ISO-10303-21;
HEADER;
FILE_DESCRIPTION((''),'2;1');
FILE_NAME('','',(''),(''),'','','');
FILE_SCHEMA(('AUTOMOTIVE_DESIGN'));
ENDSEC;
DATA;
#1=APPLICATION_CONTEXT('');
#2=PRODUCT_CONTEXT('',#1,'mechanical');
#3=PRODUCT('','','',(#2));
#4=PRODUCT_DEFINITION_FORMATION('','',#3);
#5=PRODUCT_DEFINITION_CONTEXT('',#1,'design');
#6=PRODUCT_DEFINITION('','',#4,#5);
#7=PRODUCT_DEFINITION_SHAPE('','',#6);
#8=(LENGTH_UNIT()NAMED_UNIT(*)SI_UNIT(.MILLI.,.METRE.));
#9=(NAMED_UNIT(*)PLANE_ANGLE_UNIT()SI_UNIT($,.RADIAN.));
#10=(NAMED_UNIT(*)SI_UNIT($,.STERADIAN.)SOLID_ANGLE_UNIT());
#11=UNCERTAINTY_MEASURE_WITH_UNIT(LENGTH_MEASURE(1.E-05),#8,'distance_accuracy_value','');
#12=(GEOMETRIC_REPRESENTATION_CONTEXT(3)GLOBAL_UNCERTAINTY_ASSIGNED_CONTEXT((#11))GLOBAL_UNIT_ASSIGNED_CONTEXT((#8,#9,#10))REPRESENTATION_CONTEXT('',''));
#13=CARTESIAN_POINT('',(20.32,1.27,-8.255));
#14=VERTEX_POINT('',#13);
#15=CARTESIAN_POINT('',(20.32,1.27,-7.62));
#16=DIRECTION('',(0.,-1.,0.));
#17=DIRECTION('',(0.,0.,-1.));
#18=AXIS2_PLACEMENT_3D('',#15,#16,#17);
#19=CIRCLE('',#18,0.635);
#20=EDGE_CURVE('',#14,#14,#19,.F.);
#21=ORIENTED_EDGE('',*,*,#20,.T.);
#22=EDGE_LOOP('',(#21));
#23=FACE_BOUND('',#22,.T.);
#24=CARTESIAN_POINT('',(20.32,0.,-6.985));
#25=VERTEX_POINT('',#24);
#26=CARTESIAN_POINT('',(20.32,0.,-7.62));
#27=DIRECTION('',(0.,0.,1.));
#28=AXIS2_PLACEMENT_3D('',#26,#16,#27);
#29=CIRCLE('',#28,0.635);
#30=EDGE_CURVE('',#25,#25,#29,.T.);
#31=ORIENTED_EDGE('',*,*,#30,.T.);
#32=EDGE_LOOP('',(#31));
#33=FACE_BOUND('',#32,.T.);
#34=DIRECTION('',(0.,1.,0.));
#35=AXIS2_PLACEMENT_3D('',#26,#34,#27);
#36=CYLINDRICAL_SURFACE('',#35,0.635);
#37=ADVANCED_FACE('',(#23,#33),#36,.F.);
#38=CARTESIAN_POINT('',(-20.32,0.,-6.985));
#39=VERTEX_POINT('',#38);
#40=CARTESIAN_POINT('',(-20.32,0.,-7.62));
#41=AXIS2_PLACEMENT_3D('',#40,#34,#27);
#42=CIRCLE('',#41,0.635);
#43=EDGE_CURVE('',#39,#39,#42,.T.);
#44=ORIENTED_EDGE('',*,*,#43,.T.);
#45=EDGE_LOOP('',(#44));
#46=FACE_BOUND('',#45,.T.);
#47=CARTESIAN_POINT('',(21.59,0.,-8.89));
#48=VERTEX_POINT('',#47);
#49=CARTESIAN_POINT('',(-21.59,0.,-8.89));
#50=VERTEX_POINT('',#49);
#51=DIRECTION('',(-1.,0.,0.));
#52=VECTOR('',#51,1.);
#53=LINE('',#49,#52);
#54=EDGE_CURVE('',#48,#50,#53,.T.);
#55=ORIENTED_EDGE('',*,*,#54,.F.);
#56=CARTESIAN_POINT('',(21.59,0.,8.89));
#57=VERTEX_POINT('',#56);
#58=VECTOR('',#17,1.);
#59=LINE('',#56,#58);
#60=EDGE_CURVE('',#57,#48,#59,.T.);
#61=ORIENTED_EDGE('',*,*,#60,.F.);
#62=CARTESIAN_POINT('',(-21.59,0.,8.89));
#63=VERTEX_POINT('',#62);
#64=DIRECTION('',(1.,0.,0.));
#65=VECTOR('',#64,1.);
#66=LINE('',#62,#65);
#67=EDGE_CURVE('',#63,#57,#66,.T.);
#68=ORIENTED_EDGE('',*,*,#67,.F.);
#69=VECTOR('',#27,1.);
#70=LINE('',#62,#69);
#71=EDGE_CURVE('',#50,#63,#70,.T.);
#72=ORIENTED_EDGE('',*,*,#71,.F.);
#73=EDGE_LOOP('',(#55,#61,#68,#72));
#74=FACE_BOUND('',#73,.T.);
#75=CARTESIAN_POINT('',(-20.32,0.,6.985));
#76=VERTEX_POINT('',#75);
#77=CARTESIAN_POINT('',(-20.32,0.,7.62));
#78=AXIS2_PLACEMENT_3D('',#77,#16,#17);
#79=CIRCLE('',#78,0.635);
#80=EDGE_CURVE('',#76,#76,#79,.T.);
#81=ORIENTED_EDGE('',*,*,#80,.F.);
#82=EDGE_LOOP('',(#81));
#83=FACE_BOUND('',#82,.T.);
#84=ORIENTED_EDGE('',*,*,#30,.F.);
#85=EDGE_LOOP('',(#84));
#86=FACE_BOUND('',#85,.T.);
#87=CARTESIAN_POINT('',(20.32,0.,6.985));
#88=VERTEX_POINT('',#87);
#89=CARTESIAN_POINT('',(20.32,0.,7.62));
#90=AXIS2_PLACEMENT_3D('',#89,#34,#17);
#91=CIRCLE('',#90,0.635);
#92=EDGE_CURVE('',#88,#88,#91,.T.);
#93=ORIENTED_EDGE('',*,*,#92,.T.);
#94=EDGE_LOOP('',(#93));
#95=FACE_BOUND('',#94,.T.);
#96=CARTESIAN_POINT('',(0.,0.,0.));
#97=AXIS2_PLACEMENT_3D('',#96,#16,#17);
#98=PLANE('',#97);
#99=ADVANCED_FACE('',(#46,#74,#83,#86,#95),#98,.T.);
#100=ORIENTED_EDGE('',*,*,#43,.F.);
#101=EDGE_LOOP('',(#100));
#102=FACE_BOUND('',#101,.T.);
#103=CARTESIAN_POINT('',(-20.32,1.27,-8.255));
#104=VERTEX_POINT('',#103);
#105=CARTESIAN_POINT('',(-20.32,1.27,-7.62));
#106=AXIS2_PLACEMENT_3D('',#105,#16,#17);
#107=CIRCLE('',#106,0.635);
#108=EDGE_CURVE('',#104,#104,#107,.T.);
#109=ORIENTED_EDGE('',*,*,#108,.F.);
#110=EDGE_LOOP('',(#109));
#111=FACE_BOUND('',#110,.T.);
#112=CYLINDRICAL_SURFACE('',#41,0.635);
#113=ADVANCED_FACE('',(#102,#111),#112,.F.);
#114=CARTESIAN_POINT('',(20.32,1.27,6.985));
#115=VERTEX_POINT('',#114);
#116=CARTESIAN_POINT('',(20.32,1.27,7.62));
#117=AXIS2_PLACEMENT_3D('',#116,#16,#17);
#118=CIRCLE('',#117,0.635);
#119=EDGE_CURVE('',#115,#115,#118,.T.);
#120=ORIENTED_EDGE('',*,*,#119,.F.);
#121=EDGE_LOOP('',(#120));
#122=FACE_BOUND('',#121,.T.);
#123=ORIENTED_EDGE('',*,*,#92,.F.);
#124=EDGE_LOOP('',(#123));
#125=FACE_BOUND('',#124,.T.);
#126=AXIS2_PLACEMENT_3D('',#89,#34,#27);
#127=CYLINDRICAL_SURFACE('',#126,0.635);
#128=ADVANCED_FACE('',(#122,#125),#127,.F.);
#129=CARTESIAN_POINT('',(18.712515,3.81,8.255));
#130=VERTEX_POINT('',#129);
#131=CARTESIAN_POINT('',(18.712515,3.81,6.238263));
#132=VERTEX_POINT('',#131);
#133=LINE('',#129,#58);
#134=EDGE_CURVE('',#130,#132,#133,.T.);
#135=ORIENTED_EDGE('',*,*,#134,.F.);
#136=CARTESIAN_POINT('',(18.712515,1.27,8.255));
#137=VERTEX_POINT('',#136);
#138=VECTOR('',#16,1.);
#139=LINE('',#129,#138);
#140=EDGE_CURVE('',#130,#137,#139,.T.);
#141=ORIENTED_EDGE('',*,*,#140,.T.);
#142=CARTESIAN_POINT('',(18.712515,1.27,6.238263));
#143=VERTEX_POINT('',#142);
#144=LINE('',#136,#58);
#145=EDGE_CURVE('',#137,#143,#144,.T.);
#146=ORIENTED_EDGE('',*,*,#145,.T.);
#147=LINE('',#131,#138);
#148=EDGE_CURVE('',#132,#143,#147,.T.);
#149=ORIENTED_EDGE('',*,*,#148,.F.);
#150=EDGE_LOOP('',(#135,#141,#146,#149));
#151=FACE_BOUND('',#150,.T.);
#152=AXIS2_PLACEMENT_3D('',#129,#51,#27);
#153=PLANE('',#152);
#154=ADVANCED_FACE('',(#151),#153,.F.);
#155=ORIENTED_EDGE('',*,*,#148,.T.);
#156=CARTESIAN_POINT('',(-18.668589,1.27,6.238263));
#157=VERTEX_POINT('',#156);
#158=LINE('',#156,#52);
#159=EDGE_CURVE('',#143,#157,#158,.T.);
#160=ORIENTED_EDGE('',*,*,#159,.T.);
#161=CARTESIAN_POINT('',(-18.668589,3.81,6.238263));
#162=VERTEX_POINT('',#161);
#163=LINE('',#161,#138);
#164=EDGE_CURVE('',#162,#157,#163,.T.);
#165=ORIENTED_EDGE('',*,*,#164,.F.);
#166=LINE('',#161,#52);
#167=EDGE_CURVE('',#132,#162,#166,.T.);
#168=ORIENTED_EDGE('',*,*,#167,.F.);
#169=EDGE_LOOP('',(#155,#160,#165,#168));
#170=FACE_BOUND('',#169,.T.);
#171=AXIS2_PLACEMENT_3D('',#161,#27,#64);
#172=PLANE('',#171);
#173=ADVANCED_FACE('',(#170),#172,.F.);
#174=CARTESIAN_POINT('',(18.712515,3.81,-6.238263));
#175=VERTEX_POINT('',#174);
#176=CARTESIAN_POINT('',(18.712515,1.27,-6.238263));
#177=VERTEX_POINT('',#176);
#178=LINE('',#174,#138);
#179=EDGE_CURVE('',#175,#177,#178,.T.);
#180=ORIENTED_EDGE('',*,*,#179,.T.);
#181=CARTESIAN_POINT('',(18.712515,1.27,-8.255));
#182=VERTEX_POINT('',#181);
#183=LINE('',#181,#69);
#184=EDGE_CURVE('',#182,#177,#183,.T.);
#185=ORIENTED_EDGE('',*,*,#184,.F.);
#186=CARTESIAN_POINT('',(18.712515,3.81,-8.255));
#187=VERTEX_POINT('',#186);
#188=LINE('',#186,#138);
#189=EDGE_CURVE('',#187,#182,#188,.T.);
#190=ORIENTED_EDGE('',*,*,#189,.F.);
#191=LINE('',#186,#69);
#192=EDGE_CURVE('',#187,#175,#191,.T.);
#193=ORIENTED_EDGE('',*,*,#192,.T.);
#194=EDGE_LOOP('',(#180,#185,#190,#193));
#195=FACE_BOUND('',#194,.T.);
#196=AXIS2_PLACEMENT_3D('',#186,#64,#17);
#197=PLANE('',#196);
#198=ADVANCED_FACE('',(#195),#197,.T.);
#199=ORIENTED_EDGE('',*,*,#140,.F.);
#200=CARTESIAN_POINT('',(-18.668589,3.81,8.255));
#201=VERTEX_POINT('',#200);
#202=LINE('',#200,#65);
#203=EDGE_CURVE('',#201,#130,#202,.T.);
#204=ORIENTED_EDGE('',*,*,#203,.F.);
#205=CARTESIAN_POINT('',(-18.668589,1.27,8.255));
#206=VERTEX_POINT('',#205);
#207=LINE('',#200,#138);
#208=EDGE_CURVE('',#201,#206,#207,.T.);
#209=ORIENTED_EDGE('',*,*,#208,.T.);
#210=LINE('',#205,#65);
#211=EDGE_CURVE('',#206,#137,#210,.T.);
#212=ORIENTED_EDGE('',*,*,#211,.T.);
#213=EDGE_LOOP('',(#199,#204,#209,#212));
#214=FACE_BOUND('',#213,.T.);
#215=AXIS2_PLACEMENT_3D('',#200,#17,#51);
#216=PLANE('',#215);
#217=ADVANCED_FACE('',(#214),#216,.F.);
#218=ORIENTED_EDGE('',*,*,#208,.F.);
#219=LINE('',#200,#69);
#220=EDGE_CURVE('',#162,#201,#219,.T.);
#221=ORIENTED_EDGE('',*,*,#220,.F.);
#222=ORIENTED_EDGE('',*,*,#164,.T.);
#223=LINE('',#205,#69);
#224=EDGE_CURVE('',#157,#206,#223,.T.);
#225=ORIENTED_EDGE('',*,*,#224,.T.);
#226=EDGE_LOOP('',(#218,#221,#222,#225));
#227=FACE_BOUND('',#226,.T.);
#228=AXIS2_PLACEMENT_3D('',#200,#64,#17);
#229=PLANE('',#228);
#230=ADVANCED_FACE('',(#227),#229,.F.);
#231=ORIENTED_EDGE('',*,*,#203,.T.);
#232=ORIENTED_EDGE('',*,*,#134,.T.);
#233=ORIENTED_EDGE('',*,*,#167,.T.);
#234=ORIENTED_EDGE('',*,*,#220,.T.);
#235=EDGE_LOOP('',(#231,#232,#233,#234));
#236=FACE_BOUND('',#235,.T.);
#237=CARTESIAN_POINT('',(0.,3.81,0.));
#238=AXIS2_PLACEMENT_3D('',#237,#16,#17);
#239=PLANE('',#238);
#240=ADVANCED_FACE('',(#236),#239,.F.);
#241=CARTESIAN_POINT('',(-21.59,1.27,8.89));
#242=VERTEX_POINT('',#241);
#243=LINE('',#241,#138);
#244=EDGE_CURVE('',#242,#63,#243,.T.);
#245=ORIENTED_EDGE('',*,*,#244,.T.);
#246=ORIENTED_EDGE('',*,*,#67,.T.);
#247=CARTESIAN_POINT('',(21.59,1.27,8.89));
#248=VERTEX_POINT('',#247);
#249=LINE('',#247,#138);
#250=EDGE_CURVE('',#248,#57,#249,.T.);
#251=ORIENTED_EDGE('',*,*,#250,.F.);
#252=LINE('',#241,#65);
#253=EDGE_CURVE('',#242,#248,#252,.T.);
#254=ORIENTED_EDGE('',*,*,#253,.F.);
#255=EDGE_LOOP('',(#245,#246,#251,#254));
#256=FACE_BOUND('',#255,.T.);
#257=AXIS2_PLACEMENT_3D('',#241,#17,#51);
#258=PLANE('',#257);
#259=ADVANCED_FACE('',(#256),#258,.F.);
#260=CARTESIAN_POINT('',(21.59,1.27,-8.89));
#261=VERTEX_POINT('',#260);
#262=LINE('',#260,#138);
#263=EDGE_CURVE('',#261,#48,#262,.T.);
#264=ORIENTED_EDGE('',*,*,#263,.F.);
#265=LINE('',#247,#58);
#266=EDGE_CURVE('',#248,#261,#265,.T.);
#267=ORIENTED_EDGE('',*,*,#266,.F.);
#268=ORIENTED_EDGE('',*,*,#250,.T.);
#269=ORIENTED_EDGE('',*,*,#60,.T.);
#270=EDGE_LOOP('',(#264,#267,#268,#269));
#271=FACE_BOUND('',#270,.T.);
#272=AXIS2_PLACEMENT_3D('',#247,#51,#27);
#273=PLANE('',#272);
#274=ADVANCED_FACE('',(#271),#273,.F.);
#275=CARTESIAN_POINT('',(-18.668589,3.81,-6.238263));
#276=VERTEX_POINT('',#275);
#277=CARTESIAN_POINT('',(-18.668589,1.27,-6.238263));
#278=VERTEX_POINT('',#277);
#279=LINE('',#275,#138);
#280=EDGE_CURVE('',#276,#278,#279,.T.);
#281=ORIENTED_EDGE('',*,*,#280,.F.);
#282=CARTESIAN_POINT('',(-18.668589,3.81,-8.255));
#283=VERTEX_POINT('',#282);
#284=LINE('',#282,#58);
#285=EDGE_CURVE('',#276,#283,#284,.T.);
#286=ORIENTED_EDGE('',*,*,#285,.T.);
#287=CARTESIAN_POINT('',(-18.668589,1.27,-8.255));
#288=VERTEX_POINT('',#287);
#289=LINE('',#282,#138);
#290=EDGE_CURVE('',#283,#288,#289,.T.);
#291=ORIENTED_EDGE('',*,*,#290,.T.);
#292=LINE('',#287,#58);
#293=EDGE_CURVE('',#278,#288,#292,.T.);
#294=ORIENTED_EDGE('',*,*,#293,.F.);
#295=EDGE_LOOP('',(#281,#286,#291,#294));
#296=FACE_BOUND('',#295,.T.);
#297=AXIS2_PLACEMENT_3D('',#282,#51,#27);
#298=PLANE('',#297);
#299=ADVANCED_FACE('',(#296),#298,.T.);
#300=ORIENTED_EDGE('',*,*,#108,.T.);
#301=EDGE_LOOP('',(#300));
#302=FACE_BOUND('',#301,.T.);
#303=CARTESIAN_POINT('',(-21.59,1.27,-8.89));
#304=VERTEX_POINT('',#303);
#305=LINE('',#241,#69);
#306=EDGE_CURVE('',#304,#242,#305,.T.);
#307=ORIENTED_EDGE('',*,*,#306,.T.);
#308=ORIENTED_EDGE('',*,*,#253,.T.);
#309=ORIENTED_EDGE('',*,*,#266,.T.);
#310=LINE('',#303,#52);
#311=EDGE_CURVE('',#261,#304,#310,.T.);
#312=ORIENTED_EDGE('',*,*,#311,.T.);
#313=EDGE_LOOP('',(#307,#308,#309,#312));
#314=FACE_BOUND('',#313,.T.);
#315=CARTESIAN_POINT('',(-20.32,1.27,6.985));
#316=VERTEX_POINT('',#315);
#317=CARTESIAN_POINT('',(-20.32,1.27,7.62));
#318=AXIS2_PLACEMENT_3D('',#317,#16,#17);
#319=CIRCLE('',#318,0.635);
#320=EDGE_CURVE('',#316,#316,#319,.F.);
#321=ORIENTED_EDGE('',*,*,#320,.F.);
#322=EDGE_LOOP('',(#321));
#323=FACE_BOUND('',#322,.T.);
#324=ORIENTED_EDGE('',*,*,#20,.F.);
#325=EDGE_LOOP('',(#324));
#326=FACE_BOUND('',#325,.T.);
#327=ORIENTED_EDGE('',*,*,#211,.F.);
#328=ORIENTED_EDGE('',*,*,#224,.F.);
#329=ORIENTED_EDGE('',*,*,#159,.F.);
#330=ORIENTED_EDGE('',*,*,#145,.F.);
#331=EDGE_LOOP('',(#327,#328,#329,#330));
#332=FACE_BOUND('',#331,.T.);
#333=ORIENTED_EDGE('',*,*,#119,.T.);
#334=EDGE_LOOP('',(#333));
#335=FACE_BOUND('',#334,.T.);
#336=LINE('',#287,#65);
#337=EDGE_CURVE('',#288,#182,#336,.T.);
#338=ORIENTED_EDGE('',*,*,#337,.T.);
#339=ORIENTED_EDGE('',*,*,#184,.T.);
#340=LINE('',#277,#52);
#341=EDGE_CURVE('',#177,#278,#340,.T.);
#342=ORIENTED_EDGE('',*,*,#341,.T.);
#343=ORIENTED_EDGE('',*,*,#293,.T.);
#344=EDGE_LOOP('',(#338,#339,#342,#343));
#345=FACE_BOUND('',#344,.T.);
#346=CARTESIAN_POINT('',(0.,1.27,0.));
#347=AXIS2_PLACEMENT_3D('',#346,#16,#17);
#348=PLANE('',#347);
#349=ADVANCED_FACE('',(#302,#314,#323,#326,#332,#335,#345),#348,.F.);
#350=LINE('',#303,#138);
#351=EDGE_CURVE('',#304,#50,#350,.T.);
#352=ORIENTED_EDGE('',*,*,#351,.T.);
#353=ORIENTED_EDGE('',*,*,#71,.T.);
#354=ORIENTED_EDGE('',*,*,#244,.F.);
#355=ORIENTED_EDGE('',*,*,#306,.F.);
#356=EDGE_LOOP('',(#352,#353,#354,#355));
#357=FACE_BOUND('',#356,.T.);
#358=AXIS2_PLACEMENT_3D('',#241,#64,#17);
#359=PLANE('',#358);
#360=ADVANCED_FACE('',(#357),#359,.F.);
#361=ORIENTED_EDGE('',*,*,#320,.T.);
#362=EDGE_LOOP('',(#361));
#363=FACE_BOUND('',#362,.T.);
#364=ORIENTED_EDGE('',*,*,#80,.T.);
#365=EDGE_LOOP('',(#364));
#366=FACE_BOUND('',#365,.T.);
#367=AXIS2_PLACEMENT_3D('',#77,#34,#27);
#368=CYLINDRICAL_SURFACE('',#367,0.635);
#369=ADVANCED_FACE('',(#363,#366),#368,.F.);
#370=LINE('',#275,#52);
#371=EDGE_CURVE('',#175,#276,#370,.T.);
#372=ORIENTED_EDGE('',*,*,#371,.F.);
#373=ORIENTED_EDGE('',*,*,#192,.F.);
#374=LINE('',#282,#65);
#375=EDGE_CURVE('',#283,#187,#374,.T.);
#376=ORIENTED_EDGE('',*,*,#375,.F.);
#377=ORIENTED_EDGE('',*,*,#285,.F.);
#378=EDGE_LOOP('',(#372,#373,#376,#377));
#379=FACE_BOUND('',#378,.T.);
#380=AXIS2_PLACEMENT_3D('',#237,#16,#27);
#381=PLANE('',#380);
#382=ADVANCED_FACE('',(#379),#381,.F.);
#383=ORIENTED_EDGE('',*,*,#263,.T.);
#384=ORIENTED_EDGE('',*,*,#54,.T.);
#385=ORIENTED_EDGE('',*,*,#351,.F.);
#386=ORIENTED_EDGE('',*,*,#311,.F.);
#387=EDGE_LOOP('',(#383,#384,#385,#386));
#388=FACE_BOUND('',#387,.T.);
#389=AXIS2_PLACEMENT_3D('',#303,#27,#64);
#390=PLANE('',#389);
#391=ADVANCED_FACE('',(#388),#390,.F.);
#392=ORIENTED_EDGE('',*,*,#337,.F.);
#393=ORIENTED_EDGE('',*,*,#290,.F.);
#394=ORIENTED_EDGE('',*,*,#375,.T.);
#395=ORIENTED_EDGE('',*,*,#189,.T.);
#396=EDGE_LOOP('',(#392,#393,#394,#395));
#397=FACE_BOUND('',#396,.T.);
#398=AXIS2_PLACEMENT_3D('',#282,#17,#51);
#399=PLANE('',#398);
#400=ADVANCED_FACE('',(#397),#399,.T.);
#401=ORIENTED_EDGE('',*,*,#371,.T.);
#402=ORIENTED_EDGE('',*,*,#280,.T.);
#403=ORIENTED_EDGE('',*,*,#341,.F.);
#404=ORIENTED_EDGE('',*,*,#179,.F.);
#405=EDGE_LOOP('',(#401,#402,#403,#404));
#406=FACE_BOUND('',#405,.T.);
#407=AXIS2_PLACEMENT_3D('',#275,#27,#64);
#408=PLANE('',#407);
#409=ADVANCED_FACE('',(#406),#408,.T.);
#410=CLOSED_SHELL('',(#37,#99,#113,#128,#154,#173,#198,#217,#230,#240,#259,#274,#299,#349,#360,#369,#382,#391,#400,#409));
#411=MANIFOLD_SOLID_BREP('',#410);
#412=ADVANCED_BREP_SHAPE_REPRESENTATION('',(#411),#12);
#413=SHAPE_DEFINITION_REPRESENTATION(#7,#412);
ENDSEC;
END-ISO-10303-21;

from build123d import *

# Parameters (mm, degrees)
SKETCH2_W                                  = 43.18
SKETCH2_H                                  = 17.78
BOSS_EXTRUDE1_DEPTH                        = 1.27
SKETCH3_R                                  = 0.635
CUT_EXTRUDE1_DEPTH                         = 24.383179852
MIRROR1_AT_THE_SECOND_PLANE_COPY_1_SKETC_R = 0.635
MIRROR1_AT_THE_SECOND_PLANE_COPY_1_DEPTH   = 24.383179852
SKETCH4_W                                  = 37.381103683
SKETCH4_H                                  = 2.016737313
BOSS_EXTRUDE2_DEPTH                        = 2.54


with BuildPart() as part:
    # Sketch2 → Boss-Extrude1 (new body)
    with BuildSketch(Plane(origin=(0, 0, 0), x_dir=(1, 0, 0), z_dir=(0, 1, 0))):
        Rectangle(SKETCH2_W, SKETCH2_H)
    extrude(amount=BOSS_EXTRUDE1_DEPTH)

    # Sketch3 → Cut-Extrude1 (cut, symmetric)
    with BuildSketch(Plane(origin=(0, 1.27, 0), x_dir=(1, 0, 0), z_dir=(0, 1, 0))):
        with Locations(Location((-20.32, 7.62, 0), (0, 0, 270))):
            Circle(SKETCH3_R)
    cut_extrude1 = extrude(amount=CUT_EXTRUDE1_DEPTH, both=True, mode=Mode.SUBTRACT)

    # Mirror1: Cut-Extrude1 across plane
    add(cut_extrude1.mirror(Plane(origin=(0, 0, 0), x_dir=(0, 0, 1), z_dir=(1, 0, 0))), mode=Mode.SUBTRACT)

    # Mirror1 at the second plane: Cut-Extrude1 across plane
    add(cut_extrude1.mirror(Plane.XY), mode=Mode.SUBTRACT)

    # Mirror1 at the second plane copy 1 sketc → Mirror1 at the second plane copy 1 (cut, symmetric)
    with BuildSketch(Plane(origin=(0, 1.27, 0), x_dir=(-1, 0, 0), z_dir=(0, 1, 0))):
        with Locations(Location((-20.32, 7.62, 0), (0, 0, 270))):
            Circle(MIRROR1_AT_THE_SECOND_PLANE_COPY_1_SKETC_R)
    extrude(amount=MIRROR1_AT_THE_SECOND_PLANE_COPY_1_DEPTH, both=True, mode=Mode.SUBTRACT)

    # Sketch4 → Boss-Extrude2 (add)
    with BuildSketch(Plane(origin=(0, 1.27, 0), x_dir=(1, 0, 0), z_dir=(0, 1, 0))):
        with Locations((0.021963045, -7.246631344)):
            Rectangle(SKETCH4_W, SKETCH4_H)
    boss_extrude2 = extrude(amount=BOSS_EXTRUDE2_DEPTH)

    # Mirror2: Boss-Extrude2 across plane
    add(boss_extrude2.mirror(Plane.XY))


solid = part.part
